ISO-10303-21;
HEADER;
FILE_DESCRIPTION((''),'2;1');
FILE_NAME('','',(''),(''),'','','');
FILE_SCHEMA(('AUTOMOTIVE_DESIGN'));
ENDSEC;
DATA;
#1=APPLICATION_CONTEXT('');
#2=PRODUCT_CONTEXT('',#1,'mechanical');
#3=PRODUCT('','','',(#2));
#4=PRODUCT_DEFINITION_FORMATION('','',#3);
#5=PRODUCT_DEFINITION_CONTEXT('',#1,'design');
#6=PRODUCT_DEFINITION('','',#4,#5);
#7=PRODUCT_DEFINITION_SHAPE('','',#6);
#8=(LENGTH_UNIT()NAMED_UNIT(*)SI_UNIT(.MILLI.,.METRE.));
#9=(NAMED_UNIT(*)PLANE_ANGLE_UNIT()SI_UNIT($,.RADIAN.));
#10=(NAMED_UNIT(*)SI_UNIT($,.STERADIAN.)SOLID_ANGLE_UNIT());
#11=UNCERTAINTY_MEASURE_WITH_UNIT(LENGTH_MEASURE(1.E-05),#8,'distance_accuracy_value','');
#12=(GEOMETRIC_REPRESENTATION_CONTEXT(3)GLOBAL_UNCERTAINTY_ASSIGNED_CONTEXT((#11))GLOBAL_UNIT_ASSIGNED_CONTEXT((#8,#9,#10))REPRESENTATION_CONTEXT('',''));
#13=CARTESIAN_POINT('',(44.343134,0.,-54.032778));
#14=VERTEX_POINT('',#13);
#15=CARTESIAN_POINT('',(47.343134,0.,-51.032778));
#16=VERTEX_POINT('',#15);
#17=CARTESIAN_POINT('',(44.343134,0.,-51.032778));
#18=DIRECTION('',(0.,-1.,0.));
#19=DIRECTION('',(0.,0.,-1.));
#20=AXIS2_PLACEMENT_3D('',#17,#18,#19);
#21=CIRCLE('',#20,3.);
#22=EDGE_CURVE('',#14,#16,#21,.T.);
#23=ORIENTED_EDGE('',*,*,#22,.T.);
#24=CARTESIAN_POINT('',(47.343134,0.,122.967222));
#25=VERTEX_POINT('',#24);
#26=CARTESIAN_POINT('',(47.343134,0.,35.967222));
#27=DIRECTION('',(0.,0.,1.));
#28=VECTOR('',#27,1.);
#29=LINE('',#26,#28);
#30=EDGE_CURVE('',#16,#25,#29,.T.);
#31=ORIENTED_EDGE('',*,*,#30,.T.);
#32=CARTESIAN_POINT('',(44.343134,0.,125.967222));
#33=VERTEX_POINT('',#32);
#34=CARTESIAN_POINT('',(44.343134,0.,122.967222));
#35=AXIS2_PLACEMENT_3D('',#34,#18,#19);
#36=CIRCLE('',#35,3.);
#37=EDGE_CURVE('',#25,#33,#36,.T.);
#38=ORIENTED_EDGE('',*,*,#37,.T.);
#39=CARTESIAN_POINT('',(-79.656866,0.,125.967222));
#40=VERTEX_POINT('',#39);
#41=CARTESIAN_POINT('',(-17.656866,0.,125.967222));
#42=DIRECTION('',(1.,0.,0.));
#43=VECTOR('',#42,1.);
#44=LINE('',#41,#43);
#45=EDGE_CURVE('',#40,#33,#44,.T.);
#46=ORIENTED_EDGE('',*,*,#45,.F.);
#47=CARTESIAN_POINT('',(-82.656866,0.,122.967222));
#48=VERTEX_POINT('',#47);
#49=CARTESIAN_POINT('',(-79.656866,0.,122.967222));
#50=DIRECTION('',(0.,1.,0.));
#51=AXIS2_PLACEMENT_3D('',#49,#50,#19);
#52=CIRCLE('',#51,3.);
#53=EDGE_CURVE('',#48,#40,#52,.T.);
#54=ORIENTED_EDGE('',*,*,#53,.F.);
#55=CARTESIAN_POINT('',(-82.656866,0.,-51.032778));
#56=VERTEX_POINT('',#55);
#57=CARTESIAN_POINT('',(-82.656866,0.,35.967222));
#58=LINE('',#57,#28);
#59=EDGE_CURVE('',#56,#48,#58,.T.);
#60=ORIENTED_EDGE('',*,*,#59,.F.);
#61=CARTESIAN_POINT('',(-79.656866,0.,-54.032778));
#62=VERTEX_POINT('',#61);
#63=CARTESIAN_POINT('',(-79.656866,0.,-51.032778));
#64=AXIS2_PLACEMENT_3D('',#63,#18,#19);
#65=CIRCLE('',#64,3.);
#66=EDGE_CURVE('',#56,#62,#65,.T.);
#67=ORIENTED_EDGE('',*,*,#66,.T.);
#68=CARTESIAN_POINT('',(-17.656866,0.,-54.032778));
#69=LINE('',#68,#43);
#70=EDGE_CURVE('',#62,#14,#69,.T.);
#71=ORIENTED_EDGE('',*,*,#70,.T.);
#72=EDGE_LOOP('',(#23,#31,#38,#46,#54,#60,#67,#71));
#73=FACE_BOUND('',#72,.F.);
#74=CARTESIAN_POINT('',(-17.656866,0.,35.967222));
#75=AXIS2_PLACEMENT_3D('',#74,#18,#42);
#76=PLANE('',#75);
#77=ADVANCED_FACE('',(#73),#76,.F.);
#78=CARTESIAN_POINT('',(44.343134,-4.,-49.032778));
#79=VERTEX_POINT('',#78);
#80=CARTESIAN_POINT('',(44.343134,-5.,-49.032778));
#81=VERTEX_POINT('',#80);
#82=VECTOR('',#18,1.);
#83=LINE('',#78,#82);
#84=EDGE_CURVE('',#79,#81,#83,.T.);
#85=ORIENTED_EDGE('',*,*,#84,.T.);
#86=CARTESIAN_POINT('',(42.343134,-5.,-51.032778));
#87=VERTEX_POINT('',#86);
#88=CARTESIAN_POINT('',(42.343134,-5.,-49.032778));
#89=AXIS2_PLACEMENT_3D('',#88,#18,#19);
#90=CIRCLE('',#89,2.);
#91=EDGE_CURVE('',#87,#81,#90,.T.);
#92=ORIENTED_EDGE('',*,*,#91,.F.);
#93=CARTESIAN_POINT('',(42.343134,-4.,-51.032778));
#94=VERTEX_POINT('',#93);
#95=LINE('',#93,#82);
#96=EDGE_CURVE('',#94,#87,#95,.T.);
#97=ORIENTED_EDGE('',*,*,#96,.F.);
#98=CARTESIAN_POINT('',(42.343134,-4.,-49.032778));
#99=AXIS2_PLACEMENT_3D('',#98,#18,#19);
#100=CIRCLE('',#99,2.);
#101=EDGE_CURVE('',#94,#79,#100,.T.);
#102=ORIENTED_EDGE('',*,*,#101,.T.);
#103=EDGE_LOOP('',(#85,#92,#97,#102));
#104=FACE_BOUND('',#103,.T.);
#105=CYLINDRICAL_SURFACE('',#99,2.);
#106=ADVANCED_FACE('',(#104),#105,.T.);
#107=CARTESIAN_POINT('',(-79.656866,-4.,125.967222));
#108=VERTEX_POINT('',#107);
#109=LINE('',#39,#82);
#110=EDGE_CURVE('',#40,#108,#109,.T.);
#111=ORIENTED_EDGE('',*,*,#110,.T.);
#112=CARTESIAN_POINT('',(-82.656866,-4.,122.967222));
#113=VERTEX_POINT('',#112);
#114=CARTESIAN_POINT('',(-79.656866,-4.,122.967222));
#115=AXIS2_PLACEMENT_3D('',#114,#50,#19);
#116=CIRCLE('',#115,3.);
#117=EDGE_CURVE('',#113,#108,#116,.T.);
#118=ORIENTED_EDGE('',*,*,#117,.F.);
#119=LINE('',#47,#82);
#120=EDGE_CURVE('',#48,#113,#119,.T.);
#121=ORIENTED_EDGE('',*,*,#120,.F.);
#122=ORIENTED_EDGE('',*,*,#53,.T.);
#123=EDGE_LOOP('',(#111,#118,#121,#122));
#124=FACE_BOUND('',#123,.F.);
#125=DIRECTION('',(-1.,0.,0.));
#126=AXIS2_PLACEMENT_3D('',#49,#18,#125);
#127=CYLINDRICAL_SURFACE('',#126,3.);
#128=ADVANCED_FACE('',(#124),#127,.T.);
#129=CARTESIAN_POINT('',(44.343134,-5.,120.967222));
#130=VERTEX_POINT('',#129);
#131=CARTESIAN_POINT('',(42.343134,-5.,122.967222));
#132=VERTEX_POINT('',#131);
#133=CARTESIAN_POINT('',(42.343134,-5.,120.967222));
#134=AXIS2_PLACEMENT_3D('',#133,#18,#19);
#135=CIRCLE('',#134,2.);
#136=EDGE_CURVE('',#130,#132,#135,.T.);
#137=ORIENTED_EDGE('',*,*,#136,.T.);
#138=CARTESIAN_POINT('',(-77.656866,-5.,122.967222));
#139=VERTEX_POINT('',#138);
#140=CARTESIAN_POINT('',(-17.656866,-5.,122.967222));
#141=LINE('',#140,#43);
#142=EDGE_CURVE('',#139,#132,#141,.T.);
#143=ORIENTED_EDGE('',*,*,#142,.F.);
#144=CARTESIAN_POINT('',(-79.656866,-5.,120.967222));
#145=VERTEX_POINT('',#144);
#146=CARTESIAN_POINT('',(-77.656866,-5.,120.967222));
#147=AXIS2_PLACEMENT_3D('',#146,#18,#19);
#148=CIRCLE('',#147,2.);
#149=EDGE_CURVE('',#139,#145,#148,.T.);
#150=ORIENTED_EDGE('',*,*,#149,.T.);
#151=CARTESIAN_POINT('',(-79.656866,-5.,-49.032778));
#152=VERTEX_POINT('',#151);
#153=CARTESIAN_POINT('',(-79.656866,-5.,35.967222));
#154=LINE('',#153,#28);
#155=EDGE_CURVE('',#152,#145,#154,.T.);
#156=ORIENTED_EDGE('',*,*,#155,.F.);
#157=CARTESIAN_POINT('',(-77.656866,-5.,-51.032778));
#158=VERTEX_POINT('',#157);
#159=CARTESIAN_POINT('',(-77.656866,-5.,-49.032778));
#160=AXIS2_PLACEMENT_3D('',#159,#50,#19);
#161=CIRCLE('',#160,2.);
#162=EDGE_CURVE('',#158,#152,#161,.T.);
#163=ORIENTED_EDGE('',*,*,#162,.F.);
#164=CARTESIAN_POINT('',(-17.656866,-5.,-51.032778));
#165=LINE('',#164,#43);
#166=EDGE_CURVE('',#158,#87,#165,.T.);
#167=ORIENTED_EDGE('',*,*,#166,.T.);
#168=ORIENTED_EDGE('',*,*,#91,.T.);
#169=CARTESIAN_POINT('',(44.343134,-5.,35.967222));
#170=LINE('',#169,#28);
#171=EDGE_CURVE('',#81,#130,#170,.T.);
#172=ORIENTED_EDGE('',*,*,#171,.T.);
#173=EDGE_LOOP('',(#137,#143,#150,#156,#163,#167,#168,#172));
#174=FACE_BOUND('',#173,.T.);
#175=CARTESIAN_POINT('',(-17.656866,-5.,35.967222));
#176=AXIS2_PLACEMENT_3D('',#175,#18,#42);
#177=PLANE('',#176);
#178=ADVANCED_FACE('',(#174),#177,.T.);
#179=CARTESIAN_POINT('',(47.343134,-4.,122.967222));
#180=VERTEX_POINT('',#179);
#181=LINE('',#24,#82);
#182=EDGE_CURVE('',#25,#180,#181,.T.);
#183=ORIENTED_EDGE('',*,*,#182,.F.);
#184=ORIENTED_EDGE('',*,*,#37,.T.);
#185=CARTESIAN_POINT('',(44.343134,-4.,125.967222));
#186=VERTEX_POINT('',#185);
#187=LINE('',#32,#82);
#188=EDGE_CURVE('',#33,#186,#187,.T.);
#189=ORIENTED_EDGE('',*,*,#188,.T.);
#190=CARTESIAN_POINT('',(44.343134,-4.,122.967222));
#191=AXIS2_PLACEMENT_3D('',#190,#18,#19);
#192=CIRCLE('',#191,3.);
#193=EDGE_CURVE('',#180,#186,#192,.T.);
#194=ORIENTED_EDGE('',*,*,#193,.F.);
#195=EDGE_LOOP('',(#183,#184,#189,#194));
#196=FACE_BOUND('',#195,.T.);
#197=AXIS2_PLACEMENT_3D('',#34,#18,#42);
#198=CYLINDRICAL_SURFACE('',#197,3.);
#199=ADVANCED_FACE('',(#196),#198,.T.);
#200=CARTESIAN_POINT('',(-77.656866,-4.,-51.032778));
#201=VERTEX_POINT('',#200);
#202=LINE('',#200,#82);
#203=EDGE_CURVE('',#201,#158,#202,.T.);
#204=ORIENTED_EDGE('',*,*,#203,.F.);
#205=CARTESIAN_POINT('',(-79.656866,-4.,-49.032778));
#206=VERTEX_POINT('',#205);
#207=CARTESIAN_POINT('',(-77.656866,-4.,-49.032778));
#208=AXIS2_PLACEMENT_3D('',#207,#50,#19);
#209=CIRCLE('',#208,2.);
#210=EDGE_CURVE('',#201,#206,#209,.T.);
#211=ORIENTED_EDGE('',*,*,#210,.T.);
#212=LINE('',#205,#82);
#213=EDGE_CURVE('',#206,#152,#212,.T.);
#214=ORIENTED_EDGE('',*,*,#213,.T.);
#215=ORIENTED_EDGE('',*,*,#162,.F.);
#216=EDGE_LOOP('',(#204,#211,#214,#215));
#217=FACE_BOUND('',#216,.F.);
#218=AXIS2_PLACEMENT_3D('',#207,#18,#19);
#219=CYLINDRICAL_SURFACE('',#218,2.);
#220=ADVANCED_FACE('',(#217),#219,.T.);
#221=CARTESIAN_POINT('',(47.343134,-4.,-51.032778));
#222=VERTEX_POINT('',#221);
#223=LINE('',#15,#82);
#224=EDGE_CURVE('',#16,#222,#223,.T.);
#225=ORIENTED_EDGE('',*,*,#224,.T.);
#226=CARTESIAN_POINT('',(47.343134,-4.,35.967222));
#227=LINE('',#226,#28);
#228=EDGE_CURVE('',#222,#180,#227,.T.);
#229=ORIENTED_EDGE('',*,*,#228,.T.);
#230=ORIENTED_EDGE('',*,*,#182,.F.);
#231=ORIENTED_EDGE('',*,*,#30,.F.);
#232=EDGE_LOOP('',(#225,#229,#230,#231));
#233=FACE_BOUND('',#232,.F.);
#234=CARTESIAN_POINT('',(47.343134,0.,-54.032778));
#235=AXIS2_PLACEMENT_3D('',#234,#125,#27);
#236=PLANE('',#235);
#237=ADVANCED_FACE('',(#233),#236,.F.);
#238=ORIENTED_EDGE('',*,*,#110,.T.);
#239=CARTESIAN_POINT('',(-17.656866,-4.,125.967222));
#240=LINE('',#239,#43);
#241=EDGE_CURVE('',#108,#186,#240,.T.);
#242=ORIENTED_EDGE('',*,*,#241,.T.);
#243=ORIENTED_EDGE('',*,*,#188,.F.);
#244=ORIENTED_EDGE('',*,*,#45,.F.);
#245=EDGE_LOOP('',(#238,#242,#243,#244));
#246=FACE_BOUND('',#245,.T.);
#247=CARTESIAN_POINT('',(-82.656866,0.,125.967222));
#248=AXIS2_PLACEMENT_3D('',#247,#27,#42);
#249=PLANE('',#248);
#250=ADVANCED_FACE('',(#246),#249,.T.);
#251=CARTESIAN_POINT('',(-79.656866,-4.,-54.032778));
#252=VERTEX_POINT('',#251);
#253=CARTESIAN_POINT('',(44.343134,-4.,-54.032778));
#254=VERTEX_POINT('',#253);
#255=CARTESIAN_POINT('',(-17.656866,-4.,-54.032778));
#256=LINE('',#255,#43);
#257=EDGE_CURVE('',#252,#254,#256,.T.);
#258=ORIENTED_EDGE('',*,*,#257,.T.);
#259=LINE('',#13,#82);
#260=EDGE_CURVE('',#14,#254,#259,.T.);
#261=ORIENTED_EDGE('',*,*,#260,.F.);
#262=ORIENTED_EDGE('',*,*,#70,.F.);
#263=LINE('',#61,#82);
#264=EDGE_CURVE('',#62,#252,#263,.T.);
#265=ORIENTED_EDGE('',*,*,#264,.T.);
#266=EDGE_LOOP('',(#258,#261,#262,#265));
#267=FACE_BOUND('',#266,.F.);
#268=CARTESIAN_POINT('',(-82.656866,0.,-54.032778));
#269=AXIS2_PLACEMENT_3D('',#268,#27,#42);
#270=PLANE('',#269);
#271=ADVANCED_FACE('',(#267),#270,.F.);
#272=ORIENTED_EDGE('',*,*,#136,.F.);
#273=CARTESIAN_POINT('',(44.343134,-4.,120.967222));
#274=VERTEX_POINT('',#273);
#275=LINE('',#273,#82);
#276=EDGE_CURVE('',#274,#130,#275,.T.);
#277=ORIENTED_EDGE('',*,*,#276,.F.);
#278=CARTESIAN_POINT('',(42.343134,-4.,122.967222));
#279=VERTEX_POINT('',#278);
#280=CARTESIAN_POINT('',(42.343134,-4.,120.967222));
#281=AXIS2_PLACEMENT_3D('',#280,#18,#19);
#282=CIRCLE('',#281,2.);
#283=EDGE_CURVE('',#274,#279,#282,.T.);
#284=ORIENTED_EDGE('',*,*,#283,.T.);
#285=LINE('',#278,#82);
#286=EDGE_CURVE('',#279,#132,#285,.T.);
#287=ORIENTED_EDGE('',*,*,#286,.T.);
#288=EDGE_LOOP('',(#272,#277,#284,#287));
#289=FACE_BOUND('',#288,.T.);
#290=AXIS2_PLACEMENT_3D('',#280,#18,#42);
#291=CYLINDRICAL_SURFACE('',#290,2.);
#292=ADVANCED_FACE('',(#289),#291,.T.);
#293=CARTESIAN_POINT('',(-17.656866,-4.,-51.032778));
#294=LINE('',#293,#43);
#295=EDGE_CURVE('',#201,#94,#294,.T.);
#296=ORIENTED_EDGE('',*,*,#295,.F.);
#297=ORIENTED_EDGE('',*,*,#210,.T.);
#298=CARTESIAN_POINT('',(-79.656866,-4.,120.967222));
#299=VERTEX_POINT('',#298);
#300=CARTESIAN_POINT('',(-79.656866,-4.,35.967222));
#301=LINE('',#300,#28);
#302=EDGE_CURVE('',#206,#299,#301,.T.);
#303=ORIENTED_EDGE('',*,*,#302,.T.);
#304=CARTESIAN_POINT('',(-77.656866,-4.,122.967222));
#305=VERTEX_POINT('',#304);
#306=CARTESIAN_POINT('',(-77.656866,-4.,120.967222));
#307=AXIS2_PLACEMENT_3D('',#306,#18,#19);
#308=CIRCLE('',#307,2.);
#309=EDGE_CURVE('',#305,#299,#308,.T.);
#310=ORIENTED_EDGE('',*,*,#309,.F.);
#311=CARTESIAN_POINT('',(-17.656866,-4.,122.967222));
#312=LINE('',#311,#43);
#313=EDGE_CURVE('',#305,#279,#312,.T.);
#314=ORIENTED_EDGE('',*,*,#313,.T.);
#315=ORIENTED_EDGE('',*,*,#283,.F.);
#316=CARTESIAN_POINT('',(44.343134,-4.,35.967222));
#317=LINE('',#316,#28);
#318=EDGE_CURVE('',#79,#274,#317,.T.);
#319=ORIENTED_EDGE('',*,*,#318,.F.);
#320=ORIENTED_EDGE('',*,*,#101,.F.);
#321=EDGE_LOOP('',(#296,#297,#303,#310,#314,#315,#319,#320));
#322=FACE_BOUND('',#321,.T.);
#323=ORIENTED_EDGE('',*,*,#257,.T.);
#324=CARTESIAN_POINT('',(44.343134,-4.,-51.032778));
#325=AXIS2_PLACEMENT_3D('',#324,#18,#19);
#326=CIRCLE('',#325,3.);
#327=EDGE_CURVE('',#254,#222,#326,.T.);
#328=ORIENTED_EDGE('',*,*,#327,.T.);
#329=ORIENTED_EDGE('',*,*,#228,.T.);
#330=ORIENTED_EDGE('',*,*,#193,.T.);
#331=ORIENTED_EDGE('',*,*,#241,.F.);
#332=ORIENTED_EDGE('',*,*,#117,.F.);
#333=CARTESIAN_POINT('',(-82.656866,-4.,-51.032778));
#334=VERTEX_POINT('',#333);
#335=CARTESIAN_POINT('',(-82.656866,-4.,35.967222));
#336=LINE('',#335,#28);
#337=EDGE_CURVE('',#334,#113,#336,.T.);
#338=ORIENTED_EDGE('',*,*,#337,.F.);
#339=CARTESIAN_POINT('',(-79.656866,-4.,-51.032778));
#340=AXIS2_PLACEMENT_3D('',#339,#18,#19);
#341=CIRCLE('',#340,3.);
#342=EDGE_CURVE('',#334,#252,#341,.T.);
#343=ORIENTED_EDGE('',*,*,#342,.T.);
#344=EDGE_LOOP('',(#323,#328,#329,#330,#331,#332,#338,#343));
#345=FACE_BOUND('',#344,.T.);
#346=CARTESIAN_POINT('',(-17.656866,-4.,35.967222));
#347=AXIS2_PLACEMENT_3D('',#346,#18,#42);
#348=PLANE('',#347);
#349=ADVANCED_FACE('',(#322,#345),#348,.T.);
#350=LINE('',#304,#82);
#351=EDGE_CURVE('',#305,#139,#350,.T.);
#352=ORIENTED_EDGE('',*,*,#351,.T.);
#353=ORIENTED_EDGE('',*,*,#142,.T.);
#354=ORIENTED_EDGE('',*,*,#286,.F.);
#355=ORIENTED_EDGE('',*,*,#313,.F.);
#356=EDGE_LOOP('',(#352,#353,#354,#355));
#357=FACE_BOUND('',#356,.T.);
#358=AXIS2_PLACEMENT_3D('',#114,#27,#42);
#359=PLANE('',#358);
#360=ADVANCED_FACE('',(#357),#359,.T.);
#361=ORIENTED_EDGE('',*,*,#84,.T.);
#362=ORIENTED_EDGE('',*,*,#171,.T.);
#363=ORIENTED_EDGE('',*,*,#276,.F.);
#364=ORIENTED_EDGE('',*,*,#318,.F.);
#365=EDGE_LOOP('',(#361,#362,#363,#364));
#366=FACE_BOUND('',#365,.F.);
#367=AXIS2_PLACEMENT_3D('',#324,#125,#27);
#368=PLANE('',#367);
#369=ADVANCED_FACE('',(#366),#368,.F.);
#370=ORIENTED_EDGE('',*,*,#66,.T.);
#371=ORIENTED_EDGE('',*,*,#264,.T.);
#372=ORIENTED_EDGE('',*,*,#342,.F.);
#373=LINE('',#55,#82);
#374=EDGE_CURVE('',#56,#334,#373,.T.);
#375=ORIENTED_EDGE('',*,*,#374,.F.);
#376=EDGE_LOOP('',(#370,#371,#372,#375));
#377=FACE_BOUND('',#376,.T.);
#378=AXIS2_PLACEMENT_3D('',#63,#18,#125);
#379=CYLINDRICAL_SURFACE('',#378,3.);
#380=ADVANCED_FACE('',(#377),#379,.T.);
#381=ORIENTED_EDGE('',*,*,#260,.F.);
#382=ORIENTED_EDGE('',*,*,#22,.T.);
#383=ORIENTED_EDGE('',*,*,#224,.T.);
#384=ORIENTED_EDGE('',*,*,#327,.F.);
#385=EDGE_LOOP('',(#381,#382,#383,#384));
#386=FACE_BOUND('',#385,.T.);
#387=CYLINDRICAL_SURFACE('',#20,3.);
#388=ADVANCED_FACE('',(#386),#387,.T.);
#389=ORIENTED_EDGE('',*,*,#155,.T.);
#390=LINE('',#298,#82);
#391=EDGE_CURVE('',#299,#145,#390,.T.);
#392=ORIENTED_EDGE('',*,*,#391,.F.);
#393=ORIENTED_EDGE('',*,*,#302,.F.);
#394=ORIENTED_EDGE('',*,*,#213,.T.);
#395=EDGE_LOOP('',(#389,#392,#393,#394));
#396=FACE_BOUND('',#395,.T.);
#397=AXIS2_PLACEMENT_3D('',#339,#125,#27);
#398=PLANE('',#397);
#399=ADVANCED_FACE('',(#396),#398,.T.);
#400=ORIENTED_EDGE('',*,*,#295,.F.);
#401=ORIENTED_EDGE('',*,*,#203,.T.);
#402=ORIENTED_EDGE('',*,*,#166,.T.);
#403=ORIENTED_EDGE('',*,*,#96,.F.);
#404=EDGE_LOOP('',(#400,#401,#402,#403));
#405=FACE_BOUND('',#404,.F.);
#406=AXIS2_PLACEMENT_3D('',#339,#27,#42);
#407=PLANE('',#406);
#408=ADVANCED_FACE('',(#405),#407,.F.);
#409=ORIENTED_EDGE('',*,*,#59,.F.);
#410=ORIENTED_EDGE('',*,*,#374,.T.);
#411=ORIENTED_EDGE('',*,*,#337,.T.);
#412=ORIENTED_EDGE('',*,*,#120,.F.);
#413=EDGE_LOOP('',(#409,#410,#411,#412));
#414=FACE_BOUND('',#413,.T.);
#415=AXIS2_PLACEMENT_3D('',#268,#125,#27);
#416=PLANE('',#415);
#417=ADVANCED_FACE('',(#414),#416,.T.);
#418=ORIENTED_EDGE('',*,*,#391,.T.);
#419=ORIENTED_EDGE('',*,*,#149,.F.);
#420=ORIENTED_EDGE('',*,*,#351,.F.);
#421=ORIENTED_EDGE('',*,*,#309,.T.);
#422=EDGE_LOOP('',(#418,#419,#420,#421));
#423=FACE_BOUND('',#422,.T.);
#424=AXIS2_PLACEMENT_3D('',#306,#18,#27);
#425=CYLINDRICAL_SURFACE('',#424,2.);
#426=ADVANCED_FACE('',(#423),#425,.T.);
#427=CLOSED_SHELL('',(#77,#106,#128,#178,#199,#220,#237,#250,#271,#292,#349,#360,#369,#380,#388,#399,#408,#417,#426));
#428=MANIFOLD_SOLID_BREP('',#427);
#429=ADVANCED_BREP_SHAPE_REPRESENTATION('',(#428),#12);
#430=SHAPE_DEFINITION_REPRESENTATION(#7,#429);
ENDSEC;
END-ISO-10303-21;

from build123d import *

# Parameters (mm, degrees)
F0_W     = 130
F0_H     = 180
F1_DEPTH = 4
F2_R     = 3
F3_W     = 124
F3_H     = 174
F4_DEPTH = 1
F5_R     = 2


with BuildPart() as f1:
    # F0 (on Front) → F1 (new body)
    with BuildSketch(Plane.XZ):
        with Locations((-17.656866, 35.967222)):
            Rectangle(F0_W, F0_H)
    extrude(amount=F1_DEPTH)

    # F2
    f2_edges = [f1.edges().sort_by_distance(p)[0] for p in [
        (-82.656866, -2, 125.967222),
        (-82.656866, -2, -54.032778),
        (47.343134, -2, -54.032778),
        (47.343134, -2, 125.967222),
    ]]
    fillet(f2_edges, radius=F2_R)

    # F3 (on face) → F4 (join)
    with BuildSketch(Plane.XZ.offset(4)):
        with Locations((-17.656866, 35.967222)):
            Rectangle(F3_W, F3_H)
    extrude(amount=F4_DEPTH)

    # F5
    f5_edges = [f1.edges().sort_by_distance(p)[0] for p in [
        (-79.656866, -4.5, 122.967222),
        (44.343134, -4.5, 122.967222),
        (-79.656866, -4.5, -51.032778),
        (44.343134, -4.5, -51.032778),
    ]]
    fillet(f5_edges, radius=F5_R)


solid = f1.part
